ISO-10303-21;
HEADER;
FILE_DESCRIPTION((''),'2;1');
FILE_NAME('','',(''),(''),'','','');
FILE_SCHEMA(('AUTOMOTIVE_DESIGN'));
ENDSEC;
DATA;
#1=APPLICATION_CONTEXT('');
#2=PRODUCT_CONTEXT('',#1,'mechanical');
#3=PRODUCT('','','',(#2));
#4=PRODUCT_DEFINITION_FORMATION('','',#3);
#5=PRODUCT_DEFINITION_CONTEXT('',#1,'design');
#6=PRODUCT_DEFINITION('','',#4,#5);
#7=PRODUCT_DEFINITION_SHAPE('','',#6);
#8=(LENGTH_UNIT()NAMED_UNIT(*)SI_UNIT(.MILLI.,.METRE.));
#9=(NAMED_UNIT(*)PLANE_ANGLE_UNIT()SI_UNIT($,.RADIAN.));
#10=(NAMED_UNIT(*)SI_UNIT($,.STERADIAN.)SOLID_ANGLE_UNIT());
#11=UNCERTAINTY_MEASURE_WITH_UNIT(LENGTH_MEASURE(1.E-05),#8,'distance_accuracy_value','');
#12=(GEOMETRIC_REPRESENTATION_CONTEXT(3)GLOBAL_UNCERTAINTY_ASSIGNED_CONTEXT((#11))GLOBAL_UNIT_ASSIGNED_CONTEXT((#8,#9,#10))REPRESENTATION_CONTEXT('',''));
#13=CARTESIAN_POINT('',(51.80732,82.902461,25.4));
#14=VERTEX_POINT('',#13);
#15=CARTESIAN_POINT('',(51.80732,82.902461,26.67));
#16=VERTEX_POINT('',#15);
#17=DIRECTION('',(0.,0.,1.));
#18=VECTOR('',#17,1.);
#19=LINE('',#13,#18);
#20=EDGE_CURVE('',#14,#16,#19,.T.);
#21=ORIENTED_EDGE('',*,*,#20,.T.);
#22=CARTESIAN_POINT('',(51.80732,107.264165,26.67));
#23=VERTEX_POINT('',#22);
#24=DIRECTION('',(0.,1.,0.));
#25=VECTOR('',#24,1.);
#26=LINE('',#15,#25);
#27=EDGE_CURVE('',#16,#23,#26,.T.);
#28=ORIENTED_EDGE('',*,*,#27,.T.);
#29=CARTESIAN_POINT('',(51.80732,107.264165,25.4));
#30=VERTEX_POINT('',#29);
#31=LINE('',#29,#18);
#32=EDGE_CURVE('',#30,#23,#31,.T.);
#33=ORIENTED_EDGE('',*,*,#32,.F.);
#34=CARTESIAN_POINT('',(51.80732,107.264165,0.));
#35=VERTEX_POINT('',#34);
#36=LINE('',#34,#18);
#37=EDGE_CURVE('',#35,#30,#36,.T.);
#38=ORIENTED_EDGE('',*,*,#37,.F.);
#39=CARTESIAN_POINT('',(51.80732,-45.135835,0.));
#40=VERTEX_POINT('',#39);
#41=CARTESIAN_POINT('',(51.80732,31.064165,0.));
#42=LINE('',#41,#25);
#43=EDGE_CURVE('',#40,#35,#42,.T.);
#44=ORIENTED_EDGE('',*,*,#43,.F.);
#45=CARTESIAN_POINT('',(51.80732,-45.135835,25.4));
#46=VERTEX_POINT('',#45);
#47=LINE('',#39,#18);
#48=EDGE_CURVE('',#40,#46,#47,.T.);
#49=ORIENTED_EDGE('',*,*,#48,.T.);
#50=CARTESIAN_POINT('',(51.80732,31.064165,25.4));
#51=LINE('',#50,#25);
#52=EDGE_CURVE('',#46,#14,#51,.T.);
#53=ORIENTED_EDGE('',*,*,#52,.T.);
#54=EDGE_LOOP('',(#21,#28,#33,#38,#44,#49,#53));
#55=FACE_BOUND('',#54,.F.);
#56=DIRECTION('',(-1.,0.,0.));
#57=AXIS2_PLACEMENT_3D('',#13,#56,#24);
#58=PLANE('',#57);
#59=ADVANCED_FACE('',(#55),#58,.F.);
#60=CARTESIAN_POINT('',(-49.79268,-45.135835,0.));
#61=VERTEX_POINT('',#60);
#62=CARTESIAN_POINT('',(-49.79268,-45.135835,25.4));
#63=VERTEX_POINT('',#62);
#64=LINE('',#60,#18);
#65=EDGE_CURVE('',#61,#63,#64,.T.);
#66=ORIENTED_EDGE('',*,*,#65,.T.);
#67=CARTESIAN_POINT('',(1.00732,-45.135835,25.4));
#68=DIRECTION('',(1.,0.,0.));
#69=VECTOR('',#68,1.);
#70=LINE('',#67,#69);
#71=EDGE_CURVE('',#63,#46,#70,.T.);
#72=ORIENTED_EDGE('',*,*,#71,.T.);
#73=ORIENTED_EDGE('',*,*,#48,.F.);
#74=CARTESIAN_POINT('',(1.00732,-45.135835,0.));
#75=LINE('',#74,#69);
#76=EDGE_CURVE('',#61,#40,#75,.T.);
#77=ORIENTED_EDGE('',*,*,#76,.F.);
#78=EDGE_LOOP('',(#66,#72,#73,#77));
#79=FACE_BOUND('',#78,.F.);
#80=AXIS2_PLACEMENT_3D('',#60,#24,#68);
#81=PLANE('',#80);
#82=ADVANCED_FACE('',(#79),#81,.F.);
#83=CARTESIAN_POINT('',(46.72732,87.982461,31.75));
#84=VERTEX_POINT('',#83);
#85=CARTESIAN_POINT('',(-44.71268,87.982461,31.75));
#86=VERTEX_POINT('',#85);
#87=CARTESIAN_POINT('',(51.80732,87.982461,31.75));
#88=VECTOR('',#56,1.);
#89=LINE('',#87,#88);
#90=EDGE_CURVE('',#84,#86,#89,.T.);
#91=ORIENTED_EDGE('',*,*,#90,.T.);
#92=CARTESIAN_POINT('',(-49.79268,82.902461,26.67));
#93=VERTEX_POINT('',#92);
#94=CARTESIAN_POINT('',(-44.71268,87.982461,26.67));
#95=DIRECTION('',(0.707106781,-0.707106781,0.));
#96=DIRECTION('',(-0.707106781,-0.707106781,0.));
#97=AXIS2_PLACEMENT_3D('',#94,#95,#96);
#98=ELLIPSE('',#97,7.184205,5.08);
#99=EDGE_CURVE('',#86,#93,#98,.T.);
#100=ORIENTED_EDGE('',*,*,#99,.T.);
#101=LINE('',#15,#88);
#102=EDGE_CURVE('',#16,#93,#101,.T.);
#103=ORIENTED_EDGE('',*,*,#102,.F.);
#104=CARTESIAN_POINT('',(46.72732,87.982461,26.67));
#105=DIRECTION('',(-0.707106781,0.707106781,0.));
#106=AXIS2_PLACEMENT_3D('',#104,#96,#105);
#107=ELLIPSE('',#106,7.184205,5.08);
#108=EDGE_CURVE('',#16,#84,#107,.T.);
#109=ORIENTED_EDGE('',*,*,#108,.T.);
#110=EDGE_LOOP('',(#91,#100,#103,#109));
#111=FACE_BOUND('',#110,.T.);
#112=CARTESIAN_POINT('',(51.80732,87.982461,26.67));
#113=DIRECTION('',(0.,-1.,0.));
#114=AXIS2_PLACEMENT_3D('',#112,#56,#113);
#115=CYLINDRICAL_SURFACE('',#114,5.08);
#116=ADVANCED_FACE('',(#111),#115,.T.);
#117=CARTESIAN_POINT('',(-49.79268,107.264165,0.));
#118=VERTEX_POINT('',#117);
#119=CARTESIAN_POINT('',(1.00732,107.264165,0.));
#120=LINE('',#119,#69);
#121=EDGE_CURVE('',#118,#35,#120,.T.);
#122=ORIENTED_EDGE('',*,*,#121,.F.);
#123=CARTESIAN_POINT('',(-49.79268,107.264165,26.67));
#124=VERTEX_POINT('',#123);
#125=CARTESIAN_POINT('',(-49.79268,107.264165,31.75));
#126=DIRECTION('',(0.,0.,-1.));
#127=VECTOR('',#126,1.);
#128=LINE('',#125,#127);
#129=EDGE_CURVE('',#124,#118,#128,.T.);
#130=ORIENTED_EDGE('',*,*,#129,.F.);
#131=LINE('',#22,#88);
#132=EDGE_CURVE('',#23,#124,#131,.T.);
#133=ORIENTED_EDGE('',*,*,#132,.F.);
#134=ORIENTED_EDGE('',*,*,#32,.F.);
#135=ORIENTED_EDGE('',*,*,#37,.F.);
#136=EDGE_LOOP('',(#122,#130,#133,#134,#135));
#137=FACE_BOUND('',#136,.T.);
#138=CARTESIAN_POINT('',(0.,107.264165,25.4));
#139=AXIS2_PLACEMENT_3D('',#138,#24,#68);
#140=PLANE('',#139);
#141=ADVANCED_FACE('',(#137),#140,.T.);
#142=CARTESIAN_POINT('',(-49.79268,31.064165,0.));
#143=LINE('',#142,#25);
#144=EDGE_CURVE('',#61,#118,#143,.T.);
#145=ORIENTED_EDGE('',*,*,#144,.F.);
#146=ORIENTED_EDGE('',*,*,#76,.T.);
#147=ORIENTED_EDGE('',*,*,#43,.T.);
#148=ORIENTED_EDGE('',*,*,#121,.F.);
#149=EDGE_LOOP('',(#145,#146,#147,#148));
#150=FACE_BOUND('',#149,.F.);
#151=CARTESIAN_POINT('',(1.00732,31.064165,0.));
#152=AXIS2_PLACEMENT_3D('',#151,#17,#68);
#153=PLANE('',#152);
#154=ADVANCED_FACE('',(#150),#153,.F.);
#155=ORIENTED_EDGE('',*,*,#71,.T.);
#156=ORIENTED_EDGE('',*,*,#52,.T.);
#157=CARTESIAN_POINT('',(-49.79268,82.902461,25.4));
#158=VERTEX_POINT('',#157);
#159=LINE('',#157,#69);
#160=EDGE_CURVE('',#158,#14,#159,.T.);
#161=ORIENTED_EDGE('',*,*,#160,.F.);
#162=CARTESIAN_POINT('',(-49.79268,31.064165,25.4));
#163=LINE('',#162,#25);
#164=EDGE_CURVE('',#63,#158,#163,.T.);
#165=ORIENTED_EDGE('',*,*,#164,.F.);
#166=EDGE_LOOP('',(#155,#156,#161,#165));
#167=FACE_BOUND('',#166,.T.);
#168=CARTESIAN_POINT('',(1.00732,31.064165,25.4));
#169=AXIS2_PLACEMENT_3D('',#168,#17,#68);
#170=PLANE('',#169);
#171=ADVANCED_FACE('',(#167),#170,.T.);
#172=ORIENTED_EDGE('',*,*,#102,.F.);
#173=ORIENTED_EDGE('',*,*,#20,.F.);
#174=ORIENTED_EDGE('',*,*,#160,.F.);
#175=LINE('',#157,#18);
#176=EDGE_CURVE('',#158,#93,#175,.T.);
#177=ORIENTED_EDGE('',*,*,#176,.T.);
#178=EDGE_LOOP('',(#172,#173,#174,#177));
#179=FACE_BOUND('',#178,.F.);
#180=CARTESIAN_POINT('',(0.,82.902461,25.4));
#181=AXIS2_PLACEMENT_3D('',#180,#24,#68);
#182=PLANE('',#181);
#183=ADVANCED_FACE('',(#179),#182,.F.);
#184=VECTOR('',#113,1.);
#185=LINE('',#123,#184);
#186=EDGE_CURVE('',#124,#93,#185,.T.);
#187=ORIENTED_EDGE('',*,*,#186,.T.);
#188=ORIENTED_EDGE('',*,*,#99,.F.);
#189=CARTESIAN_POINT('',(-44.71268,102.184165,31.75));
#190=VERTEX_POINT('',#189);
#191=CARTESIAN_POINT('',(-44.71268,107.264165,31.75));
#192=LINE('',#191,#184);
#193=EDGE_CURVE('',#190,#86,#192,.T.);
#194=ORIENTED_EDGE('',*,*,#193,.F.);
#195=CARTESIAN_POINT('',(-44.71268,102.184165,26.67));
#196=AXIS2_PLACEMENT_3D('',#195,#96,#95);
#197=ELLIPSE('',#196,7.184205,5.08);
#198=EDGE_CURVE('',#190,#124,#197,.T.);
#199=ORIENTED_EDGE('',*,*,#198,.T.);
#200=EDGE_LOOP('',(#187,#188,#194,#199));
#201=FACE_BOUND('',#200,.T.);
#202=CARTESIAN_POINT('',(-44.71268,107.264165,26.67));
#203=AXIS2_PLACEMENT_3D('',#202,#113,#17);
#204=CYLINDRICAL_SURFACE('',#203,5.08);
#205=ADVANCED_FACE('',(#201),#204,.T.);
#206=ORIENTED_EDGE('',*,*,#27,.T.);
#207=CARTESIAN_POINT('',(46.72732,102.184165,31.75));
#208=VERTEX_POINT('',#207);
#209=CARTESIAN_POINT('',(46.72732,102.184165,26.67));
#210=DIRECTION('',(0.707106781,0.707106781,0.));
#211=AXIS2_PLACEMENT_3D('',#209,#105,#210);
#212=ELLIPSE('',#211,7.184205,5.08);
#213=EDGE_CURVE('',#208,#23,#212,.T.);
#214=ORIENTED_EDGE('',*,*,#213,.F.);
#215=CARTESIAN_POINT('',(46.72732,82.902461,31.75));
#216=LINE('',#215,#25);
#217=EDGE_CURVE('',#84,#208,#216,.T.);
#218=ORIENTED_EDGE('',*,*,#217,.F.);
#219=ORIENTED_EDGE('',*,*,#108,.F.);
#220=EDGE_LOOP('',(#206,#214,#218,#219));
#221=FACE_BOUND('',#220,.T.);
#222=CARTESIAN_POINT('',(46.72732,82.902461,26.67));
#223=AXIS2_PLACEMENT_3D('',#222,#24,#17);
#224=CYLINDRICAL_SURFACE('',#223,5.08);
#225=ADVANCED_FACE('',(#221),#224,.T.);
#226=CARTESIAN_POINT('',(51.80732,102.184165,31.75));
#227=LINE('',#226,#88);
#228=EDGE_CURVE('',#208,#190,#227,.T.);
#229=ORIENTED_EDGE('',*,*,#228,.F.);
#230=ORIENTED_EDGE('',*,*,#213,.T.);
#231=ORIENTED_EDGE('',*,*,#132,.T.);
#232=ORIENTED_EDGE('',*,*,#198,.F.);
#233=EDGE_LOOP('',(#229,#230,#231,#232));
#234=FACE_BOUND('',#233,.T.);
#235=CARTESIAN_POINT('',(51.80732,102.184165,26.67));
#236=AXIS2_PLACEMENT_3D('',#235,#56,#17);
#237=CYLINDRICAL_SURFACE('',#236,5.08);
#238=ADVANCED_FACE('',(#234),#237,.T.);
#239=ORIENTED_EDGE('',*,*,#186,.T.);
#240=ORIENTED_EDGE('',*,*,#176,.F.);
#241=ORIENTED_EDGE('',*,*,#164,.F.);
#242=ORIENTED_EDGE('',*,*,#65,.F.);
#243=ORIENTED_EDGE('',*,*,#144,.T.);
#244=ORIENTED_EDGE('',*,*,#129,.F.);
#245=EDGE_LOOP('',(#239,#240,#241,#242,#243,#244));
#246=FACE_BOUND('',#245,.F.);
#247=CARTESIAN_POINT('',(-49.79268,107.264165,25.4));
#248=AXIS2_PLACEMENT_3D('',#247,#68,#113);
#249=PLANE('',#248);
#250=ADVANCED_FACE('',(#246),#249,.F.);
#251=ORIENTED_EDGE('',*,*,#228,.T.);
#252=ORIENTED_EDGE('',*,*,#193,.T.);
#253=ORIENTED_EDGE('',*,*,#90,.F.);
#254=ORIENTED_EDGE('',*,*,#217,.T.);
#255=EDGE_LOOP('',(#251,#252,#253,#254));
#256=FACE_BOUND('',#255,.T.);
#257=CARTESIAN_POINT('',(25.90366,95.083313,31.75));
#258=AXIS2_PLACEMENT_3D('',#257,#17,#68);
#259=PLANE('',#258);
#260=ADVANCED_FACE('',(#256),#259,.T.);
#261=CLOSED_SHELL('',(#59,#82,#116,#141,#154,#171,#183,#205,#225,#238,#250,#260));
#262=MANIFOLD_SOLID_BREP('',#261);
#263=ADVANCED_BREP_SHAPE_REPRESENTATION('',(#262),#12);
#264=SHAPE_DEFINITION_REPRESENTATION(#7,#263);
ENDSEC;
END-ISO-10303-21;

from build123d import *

# Parameters (mm, degrees)
F0_W     = 101.6
F0_H     = 152.4
F1_DEPTH = 25.4
F3_DEPTH = 6.35
F2_W     = 51.8073203593
F2_H     = 24.3617037889
F4_DEPTH = 6.35
F5_R     = 5.08


with BuildPart() as f1:
    # F0 (on Top) → F1 (new body)
    with BuildSketch(Plane.XY):
        with Locations((1.0073203593, 31.0641650792)):
            Rectangle(F0_W, F0_H)
    extrude(amount=F1_DEPTH)

    # F2 (on face) → F3 (join)
    with BuildSketch(Plane.XY.offset(25.4)):
        Polygon((-49.7926796407, 107.2641650792), (-49.7926796407, 82.9024612904), (-8.9114280418, 82.9024612904), (0, 82.9024612904), (0, 107.2641650792), align=None)
    extrude(amount=F3_DEPTH)

    # F2 (on face) → F4 (join)
    with BuildSketch(Plane.XY.offset(25.4)):
        with Locations((25.9036601797, 95.0833131848)):
            Rectangle(F2_W, F2_H)
    extrude(amount=F4_DEPTH)

    # F5
    f5_edges = [f1.edges().sort_by_distance(p)[0] for p in [
        (-49.79268, 95.083313, 31.75),
        (1.00732, 82.902461, 31.75),
        (51.80732, 95.083313, 31.75),
        (1.00732, 107.264165, 31.75),
    ]]
    fillet(f5_edges, radius=F5_R)


solid = f1.part
